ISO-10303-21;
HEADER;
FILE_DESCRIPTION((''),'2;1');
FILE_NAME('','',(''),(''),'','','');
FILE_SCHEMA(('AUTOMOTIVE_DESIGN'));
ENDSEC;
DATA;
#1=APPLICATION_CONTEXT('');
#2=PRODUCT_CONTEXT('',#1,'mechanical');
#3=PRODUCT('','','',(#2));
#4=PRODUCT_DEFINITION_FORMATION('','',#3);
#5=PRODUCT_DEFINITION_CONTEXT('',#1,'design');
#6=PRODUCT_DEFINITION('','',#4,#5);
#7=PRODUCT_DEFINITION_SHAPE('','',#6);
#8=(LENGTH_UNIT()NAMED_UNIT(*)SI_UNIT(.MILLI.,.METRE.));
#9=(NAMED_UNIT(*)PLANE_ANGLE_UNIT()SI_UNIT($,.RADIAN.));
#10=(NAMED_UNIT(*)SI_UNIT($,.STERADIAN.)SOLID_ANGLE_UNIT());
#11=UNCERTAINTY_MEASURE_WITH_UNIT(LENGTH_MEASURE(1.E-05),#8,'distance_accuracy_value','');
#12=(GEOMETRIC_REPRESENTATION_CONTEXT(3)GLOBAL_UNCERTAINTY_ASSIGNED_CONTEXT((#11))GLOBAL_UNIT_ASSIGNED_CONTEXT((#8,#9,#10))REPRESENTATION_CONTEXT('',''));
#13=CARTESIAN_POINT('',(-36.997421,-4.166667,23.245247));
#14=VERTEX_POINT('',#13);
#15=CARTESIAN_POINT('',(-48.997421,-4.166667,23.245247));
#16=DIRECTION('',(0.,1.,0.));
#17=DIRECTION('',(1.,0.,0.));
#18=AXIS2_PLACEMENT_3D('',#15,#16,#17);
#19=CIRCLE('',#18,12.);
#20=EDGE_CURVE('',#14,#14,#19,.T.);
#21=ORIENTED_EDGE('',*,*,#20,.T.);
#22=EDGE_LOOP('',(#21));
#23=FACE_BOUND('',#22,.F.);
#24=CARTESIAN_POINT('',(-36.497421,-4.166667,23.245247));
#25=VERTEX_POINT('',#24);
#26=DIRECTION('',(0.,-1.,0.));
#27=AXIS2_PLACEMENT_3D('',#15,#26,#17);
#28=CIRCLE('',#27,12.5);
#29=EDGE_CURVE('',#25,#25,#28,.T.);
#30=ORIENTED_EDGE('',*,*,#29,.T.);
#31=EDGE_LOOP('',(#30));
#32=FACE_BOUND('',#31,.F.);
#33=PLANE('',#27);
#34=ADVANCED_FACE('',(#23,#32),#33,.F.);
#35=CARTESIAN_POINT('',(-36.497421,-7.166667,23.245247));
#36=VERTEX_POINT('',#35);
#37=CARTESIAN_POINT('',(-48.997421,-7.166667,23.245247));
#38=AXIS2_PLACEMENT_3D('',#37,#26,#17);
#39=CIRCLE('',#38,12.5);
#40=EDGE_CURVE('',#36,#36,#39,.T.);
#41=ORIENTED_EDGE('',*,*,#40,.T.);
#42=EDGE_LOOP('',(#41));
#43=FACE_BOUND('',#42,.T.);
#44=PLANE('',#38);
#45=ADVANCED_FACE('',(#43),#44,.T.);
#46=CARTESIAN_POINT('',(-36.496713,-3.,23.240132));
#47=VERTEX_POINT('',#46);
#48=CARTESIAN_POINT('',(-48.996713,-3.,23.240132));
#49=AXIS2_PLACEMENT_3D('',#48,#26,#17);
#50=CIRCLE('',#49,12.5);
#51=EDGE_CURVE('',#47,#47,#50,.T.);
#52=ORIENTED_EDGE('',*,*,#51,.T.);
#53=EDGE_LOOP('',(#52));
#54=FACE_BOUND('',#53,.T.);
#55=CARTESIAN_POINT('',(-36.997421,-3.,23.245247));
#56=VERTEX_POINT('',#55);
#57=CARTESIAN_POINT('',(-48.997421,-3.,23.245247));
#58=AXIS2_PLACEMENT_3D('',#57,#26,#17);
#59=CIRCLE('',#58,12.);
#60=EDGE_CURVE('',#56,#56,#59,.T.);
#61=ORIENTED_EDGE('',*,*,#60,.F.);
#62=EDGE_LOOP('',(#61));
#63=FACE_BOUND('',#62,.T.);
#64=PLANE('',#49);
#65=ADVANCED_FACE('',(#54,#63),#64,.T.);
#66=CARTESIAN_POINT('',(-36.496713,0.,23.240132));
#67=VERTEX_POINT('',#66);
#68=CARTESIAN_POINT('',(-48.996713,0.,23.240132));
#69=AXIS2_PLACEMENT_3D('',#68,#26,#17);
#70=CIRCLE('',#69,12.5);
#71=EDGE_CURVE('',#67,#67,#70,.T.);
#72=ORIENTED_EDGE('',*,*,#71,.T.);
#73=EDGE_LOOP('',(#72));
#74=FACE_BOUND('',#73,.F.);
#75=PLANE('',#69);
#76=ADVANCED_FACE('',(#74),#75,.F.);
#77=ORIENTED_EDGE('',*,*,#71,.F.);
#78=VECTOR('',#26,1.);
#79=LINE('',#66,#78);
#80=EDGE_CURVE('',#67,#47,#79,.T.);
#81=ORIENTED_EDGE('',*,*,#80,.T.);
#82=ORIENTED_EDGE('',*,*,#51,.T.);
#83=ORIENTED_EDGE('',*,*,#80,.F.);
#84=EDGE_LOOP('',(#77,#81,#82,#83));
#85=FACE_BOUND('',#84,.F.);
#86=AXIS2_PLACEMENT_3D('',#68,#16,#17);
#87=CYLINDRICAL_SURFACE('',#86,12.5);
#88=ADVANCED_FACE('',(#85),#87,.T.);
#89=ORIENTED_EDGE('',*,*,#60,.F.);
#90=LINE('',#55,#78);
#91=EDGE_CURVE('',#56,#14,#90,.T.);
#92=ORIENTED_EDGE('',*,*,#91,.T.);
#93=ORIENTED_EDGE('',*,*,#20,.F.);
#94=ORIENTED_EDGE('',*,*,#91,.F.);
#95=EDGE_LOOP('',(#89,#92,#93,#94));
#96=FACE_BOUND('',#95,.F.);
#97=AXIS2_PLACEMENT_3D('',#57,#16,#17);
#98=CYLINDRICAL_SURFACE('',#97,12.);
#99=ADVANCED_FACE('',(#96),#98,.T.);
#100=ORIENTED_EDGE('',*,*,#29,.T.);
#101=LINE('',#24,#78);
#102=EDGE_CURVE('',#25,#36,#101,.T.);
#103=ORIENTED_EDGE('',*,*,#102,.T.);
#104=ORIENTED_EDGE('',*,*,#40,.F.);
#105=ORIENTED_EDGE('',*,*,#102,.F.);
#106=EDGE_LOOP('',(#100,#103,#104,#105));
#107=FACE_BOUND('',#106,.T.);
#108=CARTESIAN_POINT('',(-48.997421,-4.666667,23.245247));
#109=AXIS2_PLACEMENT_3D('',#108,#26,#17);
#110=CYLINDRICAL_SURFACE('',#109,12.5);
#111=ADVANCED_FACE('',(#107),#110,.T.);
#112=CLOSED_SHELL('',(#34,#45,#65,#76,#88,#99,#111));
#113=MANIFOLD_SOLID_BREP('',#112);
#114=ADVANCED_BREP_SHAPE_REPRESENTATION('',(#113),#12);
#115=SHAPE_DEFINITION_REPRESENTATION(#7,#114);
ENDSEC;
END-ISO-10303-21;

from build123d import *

# Parameters (mm, degrees)
F0_R          = 12.5
F1_DEPTH      = 3
F2_R          = 12
F3_DEPTH      = 1.666667
F4_R          = 12.5
F4_R_2        = 12
F5_DEPTH      = 2.5
F5_DEPTH_BACK = 0.5


with BuildPart() as f1:
    # F0 (on Front) → F1 (new body)
    with BuildSketch(Plane.XZ):
        with Locations((-48.996713, 23.240132)):
            Circle(F0_R)
    extrude(amount=F1_DEPTH)

    # F2 (on face) → F3 (join)
    with BuildSketch(Plane.XZ.offset(3)):
        with Locations((-48.997421, 23.245247)):
            Circle(F2_R)
    extrude(amount=F3_DEPTH)

    # F4 (on face) → F5 (join, two sides)
    with BuildSketch(Plane.XZ.offset(4.666667)) as f5_sk:
        with Locations((-48.997421, 23.245247)):
            Circle(F4_R)
        with Locations((-48.997421, 23.245247)):
            Circle(F4_R_2, mode=Mode.SUBTRACT)
        with Locations((-48.997421, 23.245247)):
            Circle(F4_R_2)
    extrude(amount=F5_DEPTH)
    extrude(f5_sk.sketch, amount=-F5_DEPTH_BACK)


solid = f1.part
